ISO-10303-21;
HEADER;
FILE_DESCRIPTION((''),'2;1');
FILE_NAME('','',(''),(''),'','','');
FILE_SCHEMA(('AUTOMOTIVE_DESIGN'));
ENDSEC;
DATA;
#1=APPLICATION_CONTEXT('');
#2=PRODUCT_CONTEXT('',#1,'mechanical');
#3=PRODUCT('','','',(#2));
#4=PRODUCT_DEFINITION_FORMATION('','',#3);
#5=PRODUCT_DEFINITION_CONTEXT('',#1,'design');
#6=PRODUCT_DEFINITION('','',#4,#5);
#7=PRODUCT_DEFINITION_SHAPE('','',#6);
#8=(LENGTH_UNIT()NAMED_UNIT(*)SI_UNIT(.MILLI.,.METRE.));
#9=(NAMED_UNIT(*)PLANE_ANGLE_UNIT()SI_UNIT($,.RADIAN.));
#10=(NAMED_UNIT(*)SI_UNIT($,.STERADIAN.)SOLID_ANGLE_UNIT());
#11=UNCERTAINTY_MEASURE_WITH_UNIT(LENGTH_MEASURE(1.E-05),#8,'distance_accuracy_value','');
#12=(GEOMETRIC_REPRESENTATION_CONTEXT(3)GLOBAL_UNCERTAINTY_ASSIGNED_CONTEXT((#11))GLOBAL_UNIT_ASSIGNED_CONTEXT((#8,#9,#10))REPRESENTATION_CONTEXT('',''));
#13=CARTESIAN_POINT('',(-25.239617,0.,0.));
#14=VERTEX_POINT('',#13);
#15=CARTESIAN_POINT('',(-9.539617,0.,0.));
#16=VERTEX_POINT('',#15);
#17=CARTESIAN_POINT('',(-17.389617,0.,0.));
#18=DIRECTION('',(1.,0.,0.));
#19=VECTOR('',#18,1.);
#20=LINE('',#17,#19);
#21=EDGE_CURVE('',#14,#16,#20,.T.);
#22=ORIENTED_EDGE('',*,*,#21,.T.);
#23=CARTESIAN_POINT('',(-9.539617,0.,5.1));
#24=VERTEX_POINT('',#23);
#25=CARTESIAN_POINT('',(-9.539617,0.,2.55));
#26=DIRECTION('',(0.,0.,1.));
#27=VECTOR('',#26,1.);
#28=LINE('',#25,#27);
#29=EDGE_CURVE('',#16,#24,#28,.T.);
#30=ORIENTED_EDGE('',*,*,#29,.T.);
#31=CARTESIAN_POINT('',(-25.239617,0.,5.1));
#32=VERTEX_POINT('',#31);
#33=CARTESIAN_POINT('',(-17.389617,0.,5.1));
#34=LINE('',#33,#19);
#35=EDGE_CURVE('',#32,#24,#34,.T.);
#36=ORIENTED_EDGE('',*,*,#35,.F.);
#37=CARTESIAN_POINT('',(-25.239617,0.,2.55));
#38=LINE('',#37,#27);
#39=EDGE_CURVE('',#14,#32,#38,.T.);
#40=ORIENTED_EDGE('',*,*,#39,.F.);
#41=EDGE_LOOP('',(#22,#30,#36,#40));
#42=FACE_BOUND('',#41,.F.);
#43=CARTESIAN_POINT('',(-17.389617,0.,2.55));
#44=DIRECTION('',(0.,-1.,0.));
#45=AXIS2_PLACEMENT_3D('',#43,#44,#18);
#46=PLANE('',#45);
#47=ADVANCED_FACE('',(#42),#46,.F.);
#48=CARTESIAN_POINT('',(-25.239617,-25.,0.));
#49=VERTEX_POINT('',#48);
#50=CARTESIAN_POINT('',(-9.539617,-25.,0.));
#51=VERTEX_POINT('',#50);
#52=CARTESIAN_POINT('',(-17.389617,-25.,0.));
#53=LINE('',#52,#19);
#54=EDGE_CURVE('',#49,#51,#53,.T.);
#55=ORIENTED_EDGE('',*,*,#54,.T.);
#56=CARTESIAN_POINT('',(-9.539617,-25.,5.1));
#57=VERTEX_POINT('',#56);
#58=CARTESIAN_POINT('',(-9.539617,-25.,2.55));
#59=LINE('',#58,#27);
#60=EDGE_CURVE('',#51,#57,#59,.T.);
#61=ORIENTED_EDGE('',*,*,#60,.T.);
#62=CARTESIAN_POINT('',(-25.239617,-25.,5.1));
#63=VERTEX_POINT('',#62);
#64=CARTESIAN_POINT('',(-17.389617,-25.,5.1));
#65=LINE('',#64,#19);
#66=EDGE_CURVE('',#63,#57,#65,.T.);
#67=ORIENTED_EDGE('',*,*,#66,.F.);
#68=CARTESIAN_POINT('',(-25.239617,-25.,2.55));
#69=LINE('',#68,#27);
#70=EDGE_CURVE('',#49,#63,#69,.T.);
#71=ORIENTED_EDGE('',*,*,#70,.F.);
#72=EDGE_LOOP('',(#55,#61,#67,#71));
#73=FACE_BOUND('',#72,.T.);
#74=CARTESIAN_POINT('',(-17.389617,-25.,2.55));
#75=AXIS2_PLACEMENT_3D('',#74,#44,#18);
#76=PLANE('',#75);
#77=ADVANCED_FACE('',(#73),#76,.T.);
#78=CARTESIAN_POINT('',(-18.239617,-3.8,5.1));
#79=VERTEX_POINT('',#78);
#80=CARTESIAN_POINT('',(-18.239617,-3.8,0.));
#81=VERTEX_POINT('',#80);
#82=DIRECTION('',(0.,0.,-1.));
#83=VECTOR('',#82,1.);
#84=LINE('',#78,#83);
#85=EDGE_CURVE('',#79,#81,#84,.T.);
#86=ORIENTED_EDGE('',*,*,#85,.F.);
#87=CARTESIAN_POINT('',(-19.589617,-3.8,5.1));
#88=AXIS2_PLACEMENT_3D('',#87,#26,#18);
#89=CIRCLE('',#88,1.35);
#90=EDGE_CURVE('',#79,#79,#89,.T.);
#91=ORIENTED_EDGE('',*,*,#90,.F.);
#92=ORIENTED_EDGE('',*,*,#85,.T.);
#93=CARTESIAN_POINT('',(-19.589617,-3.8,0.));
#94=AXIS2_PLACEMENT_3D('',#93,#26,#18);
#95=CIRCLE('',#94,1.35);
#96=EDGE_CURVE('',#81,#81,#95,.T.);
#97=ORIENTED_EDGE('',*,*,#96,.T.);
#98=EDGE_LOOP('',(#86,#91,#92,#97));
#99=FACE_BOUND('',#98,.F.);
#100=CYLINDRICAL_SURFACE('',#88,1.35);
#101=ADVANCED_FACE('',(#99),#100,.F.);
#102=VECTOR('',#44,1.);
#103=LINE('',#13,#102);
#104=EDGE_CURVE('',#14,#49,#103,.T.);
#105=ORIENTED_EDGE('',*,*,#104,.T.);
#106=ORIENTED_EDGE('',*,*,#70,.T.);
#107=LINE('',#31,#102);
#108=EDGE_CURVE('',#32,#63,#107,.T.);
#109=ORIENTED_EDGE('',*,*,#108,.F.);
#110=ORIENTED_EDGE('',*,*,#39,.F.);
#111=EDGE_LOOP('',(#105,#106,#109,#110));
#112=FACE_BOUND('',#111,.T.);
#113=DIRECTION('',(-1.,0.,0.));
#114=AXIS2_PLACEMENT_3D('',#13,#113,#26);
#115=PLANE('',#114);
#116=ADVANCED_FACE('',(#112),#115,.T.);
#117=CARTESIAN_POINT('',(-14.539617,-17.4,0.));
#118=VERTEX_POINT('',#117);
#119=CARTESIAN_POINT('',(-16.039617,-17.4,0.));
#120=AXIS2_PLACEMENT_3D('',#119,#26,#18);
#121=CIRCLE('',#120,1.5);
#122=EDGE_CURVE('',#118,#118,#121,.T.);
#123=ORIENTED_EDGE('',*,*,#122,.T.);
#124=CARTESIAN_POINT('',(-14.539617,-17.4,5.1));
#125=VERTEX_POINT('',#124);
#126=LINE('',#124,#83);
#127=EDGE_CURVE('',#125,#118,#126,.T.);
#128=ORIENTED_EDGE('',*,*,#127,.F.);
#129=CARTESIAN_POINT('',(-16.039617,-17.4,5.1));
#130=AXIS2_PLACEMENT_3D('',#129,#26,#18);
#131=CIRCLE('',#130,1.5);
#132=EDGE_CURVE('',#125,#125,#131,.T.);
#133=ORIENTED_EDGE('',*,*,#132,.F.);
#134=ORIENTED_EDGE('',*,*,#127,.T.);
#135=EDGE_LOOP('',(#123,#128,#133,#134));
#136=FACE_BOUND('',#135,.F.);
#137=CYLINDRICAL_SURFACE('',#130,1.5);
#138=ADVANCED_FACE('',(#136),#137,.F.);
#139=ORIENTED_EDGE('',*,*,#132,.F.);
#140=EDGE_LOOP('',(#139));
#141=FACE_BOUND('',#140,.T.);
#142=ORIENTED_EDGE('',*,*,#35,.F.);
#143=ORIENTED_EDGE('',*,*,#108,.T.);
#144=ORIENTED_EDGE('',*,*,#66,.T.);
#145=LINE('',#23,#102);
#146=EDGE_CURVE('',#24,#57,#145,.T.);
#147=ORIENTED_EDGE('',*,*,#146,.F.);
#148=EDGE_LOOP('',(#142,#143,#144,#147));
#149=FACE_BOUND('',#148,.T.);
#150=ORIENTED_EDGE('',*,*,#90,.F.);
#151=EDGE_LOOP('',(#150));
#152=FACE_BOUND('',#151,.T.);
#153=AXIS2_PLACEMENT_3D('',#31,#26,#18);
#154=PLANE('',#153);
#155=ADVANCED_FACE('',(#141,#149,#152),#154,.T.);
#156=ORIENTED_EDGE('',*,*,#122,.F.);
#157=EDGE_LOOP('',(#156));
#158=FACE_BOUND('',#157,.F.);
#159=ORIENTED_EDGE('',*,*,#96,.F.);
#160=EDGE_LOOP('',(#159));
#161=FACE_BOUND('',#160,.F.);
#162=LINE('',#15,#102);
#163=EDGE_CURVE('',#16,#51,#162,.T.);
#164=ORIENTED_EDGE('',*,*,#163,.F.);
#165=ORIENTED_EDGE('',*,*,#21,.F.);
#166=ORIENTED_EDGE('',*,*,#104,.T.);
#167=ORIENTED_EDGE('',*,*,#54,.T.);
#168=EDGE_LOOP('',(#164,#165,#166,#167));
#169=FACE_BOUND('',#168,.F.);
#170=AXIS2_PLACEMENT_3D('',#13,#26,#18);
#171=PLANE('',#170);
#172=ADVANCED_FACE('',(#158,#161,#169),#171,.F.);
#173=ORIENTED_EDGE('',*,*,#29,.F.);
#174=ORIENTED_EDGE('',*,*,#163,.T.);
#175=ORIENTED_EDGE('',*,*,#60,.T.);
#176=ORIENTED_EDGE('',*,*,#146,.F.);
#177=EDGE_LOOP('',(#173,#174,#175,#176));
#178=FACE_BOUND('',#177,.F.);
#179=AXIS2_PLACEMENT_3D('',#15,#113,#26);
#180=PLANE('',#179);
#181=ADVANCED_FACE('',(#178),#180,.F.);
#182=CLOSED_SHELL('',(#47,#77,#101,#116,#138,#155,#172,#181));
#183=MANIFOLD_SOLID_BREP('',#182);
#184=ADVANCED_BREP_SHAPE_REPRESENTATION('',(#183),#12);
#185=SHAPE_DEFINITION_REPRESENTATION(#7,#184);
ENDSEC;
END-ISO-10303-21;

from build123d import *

# Parameters (mm, degrees)
F0_W     = 15.7
F0_H     = 5.1
F1_DEPTH = 25
F2_R     = 1.35
F3_DEPTH = 5.1
F4_R     = 1.5
F5_DEPTH = 5.1


with BuildPart() as f1:
    # F0 (on Front) → F1 (new body)
    with BuildSketch(Plane.XZ):
        with Locations((-17.389617, 2.55)):
            Rectangle(F0_W, F0_H)
    extrude(amount=F1_DEPTH)

    # F2 (on face) → F3 (cut)
    with BuildSketch(Plane.XY.offset(5.1)):
        with Locations((-19.589617, -3.8)):
            Circle(F2_R)
    extrude(amount=-F3_DEPTH, mode=Mode.SUBTRACT)

    # F4 (on face) → F5 (cut)
    with BuildSketch(Plane.XY.offset(5.1)):
        with Locations((-16.039617, -17.4)):
            Circle(F4_R)
    extrude(amount=-F5_DEPTH, mode=Mode.SUBTRACT)


solid = f1.part
